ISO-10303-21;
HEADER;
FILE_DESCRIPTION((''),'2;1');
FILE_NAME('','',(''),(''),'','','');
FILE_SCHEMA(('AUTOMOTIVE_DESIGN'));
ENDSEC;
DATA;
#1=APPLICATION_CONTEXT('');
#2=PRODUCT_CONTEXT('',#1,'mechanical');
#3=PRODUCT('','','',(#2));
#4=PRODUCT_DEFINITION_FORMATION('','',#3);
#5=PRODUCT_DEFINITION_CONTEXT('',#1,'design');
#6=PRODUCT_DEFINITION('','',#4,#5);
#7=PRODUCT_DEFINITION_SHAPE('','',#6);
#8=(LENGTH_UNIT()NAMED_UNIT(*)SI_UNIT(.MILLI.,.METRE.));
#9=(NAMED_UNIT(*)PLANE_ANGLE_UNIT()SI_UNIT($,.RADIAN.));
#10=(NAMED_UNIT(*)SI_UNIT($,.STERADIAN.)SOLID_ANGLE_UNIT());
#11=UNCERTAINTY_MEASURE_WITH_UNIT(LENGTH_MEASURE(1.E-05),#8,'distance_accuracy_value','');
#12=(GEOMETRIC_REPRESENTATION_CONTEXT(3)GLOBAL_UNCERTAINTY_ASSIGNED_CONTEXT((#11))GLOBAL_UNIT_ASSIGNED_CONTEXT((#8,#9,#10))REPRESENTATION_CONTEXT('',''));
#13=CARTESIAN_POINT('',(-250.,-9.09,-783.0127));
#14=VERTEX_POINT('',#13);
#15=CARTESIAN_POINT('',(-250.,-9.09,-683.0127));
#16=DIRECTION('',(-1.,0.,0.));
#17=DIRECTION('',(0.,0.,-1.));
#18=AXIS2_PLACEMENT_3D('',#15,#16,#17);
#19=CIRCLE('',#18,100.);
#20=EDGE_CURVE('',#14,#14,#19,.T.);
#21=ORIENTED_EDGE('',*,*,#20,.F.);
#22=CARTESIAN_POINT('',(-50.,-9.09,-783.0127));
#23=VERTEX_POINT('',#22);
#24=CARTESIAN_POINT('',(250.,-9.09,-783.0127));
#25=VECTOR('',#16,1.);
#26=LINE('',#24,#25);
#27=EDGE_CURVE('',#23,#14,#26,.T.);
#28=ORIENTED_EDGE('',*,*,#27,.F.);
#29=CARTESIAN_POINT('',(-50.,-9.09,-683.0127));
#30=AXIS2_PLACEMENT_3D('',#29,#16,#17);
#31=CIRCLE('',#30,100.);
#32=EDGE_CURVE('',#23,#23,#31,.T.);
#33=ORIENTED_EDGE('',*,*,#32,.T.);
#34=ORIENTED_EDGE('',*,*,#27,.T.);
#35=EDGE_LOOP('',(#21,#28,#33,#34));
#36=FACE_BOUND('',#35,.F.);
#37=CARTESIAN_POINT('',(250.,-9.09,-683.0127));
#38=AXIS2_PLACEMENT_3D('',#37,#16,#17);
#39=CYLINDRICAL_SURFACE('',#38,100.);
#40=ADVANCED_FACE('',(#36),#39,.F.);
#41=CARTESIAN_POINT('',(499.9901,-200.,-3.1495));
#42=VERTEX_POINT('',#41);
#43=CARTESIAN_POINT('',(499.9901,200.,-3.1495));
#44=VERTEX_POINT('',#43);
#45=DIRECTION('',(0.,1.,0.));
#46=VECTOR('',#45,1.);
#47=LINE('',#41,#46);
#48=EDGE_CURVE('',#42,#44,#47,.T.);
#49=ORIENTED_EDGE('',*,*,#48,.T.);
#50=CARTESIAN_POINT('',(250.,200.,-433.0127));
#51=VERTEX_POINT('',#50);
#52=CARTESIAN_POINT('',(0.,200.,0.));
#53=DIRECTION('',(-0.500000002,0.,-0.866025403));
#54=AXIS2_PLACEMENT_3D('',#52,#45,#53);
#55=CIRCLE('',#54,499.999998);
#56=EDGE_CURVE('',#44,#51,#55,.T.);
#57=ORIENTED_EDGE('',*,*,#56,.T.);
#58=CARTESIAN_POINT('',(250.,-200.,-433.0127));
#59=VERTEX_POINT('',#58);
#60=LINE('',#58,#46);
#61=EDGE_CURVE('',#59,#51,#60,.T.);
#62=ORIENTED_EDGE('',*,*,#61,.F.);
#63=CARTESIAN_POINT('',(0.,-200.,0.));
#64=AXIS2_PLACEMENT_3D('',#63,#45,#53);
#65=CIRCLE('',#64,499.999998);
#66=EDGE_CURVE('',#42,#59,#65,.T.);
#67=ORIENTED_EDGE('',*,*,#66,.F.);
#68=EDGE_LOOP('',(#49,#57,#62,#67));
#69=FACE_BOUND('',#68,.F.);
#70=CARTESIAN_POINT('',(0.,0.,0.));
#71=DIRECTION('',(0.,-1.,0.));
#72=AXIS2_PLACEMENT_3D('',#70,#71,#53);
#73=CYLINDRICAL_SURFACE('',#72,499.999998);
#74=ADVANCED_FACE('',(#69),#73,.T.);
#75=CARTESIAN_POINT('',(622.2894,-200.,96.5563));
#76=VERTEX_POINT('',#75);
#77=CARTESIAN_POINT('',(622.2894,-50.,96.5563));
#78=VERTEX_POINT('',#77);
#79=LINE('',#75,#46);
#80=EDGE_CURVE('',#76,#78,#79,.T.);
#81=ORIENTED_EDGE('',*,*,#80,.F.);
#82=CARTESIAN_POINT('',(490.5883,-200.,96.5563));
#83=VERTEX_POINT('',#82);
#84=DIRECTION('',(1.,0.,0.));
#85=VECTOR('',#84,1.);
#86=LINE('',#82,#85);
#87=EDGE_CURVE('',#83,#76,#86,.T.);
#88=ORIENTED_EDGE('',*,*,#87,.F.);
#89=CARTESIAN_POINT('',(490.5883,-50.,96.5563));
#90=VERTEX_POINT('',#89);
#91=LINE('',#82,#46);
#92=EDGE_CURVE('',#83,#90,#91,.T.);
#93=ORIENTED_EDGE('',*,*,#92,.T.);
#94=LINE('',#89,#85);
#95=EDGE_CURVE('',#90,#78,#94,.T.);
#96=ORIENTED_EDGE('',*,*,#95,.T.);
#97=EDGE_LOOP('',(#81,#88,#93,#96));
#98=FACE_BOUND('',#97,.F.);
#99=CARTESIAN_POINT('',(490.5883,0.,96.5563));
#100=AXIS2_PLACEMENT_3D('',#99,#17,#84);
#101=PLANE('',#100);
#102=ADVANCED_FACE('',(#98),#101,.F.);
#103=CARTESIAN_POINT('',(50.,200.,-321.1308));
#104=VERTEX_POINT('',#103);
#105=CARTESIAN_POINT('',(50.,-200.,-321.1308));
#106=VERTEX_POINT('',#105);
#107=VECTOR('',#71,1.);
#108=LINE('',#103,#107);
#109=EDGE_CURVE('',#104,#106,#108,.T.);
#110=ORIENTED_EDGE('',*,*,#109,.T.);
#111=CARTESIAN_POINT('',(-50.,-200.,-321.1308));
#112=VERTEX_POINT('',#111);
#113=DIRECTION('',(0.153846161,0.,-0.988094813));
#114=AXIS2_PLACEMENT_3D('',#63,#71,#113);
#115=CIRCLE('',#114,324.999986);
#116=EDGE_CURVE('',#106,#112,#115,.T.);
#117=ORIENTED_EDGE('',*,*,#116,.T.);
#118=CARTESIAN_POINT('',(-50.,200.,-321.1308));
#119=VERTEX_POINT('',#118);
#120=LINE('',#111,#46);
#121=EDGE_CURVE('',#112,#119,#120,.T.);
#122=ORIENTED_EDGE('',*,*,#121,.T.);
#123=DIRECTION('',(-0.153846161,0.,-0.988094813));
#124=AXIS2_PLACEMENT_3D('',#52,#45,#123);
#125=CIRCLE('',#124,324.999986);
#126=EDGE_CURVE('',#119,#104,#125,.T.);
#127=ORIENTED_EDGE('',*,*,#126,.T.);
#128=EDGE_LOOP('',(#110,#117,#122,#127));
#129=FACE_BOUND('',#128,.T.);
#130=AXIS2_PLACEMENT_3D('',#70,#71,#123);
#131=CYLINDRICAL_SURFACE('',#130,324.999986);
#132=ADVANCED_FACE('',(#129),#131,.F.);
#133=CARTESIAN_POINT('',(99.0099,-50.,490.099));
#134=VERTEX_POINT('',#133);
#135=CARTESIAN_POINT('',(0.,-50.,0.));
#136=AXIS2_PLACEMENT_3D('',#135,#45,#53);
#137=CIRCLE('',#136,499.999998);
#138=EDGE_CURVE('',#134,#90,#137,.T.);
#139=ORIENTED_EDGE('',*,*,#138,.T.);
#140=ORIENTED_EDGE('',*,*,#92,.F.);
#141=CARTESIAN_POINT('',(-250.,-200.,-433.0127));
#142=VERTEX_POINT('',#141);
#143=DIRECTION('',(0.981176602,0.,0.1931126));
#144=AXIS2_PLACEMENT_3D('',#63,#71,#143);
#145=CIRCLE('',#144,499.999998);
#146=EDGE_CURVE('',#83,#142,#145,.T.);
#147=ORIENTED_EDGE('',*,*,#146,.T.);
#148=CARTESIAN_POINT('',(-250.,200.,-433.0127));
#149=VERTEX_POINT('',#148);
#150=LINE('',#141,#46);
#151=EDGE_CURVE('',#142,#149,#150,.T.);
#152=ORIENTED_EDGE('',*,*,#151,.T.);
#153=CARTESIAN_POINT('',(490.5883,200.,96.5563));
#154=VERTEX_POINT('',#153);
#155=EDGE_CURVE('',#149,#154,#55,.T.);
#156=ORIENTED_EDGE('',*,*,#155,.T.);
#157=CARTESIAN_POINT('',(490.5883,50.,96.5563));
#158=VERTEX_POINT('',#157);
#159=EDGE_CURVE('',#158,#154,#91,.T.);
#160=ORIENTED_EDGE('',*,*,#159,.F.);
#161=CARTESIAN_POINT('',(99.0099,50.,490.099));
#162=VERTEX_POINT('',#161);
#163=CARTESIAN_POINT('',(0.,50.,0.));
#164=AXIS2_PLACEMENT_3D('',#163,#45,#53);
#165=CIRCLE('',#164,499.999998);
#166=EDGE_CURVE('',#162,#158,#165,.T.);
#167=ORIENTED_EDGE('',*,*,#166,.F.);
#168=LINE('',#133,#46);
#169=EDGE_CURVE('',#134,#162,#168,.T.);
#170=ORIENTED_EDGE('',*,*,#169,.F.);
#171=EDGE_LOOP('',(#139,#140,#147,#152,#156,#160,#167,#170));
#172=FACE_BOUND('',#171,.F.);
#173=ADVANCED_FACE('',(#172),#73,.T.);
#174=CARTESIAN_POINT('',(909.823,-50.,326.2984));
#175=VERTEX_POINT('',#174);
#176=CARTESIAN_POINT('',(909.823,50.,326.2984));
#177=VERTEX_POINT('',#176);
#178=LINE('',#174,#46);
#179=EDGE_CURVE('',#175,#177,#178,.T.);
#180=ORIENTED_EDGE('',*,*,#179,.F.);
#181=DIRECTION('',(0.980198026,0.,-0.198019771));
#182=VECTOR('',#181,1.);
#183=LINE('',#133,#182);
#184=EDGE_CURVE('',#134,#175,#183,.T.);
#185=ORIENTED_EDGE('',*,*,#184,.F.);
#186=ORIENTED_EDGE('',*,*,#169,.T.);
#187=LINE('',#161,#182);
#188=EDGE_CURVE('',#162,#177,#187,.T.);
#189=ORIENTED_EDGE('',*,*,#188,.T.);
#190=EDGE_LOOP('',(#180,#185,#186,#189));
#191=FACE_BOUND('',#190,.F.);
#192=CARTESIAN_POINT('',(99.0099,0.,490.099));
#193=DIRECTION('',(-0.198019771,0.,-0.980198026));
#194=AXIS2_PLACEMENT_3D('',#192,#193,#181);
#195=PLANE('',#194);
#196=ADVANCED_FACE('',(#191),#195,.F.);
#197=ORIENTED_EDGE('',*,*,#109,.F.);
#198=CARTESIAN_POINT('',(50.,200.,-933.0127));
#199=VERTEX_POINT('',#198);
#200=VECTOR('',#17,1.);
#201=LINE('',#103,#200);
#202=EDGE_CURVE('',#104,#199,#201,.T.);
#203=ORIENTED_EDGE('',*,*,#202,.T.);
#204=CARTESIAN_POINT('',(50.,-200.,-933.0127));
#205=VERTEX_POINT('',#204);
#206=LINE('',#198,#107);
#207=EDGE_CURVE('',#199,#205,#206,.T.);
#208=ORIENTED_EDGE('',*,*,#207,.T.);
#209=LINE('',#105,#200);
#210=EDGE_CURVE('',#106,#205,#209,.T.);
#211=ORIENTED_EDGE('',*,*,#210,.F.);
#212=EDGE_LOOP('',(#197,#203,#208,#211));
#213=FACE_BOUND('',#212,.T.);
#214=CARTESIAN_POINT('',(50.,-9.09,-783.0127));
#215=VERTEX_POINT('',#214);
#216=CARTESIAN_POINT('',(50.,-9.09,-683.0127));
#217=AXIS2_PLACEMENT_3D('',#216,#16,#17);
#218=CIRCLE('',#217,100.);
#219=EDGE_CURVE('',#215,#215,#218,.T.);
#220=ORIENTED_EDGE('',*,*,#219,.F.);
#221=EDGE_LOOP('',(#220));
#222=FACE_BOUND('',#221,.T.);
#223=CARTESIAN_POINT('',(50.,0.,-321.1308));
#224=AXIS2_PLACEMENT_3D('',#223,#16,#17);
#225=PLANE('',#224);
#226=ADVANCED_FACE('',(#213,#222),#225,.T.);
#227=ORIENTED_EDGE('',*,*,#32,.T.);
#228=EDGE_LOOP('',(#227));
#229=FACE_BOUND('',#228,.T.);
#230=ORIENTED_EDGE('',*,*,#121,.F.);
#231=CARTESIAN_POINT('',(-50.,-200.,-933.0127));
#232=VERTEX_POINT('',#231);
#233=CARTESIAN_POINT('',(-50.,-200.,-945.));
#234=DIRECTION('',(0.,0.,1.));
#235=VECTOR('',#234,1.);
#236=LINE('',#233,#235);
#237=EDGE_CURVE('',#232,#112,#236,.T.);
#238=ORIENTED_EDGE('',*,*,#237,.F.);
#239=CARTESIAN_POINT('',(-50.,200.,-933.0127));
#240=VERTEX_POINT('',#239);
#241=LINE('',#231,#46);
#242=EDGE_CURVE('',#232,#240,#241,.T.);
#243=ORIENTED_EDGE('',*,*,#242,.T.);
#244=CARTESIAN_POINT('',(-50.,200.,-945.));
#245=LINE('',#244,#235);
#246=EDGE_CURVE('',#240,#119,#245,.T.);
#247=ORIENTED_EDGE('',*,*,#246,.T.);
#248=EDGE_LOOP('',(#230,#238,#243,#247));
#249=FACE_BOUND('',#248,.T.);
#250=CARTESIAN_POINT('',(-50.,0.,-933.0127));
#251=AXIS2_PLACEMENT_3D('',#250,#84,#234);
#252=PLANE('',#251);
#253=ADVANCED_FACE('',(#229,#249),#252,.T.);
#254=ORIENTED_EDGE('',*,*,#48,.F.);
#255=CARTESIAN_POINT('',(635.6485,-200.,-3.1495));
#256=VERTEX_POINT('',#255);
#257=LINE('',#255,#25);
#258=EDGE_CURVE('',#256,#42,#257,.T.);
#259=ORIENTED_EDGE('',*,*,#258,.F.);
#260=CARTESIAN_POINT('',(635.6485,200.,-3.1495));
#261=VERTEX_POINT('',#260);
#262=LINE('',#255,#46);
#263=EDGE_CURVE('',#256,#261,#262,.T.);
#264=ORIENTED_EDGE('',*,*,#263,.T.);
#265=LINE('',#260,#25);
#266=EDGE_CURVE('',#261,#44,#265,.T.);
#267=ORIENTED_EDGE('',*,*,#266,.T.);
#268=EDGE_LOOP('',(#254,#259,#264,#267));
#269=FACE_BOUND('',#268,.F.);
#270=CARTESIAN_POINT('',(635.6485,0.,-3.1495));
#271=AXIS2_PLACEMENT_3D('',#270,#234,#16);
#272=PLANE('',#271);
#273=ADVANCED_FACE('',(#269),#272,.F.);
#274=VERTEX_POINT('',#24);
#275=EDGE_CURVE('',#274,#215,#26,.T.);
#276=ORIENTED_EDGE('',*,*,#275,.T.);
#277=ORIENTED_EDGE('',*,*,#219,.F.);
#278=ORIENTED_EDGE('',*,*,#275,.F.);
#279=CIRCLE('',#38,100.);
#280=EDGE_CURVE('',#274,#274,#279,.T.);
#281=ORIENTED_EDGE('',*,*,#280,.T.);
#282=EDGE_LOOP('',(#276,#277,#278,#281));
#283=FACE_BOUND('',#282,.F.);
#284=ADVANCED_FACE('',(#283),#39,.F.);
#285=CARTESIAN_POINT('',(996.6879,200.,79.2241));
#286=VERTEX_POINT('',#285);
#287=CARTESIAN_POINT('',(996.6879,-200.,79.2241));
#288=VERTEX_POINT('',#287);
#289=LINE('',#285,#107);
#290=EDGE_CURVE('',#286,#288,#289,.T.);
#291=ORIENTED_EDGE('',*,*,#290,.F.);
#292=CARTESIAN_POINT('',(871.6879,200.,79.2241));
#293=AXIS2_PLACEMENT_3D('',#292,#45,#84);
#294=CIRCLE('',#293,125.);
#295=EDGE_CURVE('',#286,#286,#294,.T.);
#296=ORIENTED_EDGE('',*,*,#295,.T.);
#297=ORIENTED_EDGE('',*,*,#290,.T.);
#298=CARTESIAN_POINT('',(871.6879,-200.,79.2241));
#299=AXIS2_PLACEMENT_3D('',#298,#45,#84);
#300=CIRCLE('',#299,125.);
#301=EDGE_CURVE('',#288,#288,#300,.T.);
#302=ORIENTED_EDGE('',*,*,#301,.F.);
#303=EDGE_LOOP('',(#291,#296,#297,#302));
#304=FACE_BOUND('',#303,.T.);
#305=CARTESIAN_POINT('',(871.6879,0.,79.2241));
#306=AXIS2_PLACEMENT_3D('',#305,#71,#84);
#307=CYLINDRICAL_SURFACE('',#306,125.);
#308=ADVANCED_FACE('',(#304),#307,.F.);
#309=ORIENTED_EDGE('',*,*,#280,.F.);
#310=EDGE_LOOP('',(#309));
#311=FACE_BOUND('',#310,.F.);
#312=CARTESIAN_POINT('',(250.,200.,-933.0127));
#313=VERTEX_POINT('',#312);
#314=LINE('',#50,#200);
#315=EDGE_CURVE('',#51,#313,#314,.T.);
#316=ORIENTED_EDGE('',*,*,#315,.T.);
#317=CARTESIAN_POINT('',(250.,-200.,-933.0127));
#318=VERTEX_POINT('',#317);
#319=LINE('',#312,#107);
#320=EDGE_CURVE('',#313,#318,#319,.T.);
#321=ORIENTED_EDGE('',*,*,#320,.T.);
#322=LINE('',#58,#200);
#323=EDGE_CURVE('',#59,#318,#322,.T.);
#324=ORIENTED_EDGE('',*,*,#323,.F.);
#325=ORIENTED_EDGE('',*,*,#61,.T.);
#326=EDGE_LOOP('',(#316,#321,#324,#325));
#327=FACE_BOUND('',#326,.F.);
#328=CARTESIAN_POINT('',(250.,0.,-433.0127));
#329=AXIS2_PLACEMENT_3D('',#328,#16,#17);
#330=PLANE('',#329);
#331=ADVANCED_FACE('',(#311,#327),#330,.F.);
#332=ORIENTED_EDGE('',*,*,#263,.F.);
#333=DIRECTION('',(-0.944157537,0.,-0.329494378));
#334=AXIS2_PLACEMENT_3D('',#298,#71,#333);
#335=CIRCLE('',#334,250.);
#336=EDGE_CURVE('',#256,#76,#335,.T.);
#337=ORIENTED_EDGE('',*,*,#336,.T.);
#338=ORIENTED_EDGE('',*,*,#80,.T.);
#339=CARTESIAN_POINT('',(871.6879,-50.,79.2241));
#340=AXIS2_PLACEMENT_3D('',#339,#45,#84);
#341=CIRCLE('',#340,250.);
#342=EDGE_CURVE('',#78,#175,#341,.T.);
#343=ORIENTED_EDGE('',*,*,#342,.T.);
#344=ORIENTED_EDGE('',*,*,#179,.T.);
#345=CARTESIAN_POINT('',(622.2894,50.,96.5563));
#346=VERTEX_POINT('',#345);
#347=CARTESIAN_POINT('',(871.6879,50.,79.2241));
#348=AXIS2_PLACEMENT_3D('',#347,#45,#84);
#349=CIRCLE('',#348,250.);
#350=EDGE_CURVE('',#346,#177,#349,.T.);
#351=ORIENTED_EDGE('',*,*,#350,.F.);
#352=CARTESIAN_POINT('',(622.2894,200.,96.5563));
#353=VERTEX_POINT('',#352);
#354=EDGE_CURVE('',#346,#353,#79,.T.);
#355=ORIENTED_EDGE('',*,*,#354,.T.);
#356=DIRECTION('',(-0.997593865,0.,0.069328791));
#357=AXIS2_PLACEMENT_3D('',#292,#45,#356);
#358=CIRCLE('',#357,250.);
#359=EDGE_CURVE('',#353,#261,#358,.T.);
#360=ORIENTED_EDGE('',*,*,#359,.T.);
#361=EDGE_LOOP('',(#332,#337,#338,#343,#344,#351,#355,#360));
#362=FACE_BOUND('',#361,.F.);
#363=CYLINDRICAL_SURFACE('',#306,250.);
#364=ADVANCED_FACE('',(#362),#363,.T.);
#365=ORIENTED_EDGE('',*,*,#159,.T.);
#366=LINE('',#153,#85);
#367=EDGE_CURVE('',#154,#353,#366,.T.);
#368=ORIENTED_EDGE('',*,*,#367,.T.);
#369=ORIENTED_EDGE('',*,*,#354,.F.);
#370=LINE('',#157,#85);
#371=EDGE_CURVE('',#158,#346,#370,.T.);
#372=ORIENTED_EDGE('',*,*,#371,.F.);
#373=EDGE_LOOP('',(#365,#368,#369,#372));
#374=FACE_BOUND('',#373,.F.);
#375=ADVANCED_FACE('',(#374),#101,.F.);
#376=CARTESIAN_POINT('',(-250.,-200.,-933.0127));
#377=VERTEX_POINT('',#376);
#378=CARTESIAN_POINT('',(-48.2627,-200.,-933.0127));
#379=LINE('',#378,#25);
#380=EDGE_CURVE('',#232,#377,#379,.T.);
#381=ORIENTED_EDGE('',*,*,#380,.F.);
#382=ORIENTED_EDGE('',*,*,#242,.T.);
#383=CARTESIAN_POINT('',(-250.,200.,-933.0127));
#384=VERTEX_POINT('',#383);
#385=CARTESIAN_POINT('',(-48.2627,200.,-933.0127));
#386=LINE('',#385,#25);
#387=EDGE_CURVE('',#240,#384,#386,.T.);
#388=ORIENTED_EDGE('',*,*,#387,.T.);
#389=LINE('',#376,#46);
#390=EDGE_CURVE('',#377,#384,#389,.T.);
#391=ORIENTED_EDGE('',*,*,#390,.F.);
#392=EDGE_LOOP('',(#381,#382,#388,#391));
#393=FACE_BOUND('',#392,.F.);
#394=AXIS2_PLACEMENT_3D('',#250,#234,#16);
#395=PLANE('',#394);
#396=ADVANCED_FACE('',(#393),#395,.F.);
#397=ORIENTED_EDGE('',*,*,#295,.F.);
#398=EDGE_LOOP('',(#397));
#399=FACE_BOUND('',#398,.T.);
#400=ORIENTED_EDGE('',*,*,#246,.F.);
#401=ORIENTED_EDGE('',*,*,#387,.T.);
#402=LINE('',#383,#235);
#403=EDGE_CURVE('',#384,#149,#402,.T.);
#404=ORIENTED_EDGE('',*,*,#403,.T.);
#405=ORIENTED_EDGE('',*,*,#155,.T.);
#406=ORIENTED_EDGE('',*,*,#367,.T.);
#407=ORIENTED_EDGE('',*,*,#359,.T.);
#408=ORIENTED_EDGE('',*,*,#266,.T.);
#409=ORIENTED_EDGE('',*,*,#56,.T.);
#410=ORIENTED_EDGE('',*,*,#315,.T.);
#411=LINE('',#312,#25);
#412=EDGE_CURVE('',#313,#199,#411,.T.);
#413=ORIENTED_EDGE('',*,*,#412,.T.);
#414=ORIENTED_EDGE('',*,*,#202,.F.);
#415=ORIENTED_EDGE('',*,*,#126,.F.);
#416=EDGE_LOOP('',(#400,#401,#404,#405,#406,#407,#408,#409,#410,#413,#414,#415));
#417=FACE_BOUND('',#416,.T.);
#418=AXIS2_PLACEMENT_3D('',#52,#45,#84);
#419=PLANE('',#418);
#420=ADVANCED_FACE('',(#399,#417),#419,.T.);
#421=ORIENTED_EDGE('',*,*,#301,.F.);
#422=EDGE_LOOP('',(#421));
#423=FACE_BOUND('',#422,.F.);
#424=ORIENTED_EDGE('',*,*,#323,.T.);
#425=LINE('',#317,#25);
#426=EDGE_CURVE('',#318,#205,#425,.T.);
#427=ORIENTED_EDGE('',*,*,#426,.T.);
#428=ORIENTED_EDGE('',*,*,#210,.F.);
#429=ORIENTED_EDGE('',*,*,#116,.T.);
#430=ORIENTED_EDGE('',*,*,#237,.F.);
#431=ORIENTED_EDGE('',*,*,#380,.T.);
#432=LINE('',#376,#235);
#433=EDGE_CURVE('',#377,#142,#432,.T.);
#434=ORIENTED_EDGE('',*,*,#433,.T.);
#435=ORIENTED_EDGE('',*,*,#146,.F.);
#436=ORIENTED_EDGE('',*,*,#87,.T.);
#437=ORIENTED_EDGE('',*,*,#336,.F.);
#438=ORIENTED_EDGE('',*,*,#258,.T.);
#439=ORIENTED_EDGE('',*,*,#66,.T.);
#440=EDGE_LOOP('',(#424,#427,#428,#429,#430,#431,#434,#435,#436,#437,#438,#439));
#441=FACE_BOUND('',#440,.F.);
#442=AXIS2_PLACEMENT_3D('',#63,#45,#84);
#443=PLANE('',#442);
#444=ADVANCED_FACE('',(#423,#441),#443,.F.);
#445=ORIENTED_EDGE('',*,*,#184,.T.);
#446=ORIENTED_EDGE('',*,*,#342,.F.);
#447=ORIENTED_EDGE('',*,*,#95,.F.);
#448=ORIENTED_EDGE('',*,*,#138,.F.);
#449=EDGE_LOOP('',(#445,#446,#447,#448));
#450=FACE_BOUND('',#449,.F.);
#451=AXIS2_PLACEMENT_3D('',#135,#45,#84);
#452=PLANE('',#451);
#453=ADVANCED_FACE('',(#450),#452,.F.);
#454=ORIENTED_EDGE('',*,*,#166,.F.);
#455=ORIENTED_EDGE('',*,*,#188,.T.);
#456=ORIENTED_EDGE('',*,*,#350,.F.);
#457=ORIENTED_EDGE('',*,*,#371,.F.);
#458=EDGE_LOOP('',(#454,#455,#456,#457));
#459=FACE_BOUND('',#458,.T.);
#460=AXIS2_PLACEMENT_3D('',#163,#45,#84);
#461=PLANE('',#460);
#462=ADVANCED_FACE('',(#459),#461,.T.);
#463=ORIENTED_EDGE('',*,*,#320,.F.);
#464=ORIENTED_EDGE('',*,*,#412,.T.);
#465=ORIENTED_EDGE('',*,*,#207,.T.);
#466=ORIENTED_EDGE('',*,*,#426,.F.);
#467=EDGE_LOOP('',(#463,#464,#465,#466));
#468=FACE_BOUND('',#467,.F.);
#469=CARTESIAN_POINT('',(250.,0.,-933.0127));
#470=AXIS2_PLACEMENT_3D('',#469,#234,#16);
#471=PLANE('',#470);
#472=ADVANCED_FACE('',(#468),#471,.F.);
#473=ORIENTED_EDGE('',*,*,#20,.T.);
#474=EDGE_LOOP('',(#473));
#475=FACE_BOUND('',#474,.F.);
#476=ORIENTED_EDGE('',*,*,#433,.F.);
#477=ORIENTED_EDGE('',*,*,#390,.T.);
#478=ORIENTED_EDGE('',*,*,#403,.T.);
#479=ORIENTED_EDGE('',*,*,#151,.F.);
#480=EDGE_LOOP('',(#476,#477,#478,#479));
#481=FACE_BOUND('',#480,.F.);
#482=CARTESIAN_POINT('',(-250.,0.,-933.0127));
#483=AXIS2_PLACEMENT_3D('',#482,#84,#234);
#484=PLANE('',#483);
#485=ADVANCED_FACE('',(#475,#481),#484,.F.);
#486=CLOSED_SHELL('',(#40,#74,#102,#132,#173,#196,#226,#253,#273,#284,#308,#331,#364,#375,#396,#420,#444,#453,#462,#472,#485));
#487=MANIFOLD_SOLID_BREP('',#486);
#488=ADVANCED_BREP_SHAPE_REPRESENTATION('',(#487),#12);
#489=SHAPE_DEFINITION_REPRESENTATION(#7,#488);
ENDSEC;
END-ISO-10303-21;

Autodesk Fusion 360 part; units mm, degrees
sketch "Sketch1" plane through (0, 0, 0) normal (0, 1, 0) x (1, 0, 0)
  line L0 (0, 0) -> (0, -1175.3412)
  line L1 (0, -1175.3412) -> (0, 325) construction
  line L2 (0, 0) -> (-1356.5029, 0) construction
  circle A0 centre (871.6879, -79.2241) radius 125
  circle A1 centre (871.6879, -79.2241) radius 250
  line L3 (-50, 255) -> (50, 255)
  line L4 (50, 321.1308) -> (50, 933.0127)
  line L5 (-50, 945) -> (-50, 255)
  line L6 (250, 433.0127) -> (250, 933.0127)
  line L7 (-250, 933.0127) -> (-250, 433.0127)
  line L8 (635.6485, 3.1495) -> (499.9901, 3.1495)
  line L9 (490.5883, -96.5563) -> (622.2894, -96.5563)
  line L10 (-1356.5029, 0) -> (466.5356, 0) construction
  line L11 (634.5728, 0) -> (675.4964, 0) construction
  line L12 (775, 0) -> (1559.7574, 0) construction
  line L13 (250, 933.0127) -> (48.2627, 933.0127)
  line L14 (-48.2627, 933.0127) -> (-250, 933.0127)
  line L15 (-48.2627, 933.0127) -> (-50, 945) construction
  arc A2 (-250, 433.0127) -> (250, 433.0127) centre (0, 0) ccw
  arc A3 (-50, 321.1308) -> (50, 321.1308) centre (0, 0) ccw
  line L16 (99.0099, -490.099) -> (909.823, -326.2984)
  dimension "d1" = 650
  dimension "d2" = 1000
  dimension "d3" = 250
  dimension "d4" = 500
  dimension "d7" = 500
  dimension "d8" = 500
  dimension "d9" = 933.0127
extrude "Extrude1" add sketch "Sketch1" along normal mid plane 400 contours L0 L4 L6 L13 A2 A3 | L0 L5 L7 L14 A2 A3 | A1 L8 L9 A2 | A1
extrude "Extrude2" add sketch "Sketch1" along normal mid plane 100 contours A1 L9 A2 L16
hole "Hole1" at (250, -9.09, -683.0127) direction (-1, 0, 0) diameter 200 end through all
